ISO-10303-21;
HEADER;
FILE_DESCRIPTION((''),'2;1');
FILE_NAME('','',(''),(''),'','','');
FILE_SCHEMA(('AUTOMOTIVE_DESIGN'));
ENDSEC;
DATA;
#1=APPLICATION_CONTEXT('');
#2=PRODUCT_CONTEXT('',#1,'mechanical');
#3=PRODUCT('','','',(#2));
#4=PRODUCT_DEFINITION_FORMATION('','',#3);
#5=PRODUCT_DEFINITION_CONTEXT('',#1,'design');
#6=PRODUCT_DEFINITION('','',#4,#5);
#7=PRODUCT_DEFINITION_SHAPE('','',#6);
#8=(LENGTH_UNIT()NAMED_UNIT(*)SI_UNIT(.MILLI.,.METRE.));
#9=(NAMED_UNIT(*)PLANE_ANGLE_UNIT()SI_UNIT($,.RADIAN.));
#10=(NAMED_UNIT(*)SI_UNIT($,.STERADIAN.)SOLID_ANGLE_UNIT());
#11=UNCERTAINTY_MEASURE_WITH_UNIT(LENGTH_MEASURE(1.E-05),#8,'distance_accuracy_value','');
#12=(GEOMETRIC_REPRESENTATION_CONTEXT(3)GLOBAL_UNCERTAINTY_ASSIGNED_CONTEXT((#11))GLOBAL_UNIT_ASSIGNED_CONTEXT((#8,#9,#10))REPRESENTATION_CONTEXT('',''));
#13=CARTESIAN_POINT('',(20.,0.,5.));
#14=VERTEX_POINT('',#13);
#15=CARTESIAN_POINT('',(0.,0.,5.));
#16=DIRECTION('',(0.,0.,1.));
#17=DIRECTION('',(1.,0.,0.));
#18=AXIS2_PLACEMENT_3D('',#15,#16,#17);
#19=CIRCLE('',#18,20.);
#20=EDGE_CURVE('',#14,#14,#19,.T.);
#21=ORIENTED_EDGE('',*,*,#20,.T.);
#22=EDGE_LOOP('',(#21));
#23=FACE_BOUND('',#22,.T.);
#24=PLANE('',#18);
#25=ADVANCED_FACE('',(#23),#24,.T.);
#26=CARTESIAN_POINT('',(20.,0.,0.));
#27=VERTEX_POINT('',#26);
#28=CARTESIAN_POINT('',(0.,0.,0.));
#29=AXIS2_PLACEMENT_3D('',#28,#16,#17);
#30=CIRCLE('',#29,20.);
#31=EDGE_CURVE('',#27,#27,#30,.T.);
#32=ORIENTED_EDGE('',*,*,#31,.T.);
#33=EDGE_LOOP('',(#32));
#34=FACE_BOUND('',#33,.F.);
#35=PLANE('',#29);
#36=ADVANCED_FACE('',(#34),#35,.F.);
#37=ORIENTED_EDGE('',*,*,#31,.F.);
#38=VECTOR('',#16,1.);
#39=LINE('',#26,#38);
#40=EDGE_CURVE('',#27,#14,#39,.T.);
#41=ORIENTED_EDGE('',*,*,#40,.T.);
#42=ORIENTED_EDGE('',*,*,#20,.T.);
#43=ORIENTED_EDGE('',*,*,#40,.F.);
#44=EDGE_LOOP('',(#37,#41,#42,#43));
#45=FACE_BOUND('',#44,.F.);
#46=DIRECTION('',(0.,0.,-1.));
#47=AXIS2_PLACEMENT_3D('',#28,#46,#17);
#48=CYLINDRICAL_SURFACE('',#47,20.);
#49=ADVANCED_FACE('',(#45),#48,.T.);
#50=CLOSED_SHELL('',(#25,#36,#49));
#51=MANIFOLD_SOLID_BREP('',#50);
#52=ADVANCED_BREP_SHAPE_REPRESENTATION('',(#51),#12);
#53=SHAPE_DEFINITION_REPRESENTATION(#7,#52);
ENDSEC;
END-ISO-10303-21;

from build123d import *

# Parameters (mm, degrees)
SKETCH_1_R      = 20
EXTRUDE_1_DEPTH = 5


with BuildPart() as part:
    # 草图1 → 凸台-拉伸1 (new body)
    with BuildSketch(Plane.XY):
        Circle(SKETCH_1_R)
    extrude(amount=EXTRUDE_1_DEPTH)


solid = part.part
